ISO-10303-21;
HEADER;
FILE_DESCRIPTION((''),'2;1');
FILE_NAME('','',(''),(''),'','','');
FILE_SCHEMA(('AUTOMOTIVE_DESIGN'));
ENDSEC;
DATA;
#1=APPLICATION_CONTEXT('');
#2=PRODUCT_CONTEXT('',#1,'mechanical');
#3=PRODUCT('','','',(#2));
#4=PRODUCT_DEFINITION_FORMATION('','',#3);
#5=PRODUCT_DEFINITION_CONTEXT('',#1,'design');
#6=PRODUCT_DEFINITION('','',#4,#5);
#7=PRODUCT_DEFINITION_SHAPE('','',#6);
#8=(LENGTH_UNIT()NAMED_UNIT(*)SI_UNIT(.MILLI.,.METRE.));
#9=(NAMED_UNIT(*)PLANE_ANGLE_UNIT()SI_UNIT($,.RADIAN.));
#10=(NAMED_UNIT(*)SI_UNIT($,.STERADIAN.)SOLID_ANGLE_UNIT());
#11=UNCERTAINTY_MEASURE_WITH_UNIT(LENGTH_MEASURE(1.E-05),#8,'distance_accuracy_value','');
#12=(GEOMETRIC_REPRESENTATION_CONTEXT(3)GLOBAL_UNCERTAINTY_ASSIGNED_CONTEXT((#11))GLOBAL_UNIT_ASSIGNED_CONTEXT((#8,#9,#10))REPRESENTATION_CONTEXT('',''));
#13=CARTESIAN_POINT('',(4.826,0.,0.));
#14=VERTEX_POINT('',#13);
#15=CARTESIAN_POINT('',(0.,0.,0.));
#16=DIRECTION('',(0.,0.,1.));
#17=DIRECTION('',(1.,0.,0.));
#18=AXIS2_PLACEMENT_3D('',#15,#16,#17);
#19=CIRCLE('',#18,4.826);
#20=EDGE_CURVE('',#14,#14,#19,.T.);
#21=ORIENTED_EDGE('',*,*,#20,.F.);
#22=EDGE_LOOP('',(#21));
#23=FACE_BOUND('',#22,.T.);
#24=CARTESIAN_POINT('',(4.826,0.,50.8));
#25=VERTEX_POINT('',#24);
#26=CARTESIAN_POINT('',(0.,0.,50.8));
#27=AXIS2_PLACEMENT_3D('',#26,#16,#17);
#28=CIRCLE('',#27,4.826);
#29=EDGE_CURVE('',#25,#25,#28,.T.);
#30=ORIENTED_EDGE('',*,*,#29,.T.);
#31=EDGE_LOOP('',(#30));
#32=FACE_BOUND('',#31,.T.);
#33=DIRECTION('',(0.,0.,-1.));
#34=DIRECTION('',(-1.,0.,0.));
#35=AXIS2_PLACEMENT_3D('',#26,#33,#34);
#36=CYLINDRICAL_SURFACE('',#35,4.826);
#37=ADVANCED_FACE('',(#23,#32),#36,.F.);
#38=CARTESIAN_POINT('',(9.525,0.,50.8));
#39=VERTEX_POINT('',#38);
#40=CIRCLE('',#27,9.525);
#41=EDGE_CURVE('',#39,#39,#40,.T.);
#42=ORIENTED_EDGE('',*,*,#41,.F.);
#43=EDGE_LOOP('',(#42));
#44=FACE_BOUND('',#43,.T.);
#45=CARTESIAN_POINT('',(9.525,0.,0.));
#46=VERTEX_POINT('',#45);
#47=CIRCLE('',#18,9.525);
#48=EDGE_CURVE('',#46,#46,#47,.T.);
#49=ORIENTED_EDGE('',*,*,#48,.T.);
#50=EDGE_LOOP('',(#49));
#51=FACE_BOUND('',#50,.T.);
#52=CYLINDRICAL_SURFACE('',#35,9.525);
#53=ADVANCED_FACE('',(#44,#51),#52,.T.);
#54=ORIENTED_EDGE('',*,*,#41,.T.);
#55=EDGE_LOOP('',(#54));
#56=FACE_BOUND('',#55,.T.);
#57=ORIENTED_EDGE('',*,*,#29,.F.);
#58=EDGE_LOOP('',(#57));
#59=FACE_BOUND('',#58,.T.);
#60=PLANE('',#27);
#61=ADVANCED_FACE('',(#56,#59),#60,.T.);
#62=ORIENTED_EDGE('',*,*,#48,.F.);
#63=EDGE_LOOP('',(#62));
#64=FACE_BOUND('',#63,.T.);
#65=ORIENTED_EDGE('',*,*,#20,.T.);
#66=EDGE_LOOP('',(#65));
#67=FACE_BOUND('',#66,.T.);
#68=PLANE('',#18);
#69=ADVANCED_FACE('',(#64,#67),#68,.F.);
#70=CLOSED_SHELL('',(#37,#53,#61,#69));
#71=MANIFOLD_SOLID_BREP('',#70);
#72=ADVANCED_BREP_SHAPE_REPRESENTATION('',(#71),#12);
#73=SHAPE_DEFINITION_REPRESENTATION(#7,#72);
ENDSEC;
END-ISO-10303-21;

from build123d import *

# Parameters (mm, degrees)
IZIM1_R                     = 9.525
IZIM1_R_2                   = 4.826
Y_KSEKLIK_EKSTR_ZYON1_DEPTH = 50.8


with BuildPart() as part:
    # Çizim1 → Yükseklik-Ekstrüzyon1 (new body)
    with BuildSketch(Plane.XY):
        Circle(IZIM1_R)
        Circle(IZIM1_R_2, mode=Mode.SUBTRACT)
    extrude(amount=Y_KSEKLIK_EKSTR_ZYON1_DEPTH)


solid = part.part
